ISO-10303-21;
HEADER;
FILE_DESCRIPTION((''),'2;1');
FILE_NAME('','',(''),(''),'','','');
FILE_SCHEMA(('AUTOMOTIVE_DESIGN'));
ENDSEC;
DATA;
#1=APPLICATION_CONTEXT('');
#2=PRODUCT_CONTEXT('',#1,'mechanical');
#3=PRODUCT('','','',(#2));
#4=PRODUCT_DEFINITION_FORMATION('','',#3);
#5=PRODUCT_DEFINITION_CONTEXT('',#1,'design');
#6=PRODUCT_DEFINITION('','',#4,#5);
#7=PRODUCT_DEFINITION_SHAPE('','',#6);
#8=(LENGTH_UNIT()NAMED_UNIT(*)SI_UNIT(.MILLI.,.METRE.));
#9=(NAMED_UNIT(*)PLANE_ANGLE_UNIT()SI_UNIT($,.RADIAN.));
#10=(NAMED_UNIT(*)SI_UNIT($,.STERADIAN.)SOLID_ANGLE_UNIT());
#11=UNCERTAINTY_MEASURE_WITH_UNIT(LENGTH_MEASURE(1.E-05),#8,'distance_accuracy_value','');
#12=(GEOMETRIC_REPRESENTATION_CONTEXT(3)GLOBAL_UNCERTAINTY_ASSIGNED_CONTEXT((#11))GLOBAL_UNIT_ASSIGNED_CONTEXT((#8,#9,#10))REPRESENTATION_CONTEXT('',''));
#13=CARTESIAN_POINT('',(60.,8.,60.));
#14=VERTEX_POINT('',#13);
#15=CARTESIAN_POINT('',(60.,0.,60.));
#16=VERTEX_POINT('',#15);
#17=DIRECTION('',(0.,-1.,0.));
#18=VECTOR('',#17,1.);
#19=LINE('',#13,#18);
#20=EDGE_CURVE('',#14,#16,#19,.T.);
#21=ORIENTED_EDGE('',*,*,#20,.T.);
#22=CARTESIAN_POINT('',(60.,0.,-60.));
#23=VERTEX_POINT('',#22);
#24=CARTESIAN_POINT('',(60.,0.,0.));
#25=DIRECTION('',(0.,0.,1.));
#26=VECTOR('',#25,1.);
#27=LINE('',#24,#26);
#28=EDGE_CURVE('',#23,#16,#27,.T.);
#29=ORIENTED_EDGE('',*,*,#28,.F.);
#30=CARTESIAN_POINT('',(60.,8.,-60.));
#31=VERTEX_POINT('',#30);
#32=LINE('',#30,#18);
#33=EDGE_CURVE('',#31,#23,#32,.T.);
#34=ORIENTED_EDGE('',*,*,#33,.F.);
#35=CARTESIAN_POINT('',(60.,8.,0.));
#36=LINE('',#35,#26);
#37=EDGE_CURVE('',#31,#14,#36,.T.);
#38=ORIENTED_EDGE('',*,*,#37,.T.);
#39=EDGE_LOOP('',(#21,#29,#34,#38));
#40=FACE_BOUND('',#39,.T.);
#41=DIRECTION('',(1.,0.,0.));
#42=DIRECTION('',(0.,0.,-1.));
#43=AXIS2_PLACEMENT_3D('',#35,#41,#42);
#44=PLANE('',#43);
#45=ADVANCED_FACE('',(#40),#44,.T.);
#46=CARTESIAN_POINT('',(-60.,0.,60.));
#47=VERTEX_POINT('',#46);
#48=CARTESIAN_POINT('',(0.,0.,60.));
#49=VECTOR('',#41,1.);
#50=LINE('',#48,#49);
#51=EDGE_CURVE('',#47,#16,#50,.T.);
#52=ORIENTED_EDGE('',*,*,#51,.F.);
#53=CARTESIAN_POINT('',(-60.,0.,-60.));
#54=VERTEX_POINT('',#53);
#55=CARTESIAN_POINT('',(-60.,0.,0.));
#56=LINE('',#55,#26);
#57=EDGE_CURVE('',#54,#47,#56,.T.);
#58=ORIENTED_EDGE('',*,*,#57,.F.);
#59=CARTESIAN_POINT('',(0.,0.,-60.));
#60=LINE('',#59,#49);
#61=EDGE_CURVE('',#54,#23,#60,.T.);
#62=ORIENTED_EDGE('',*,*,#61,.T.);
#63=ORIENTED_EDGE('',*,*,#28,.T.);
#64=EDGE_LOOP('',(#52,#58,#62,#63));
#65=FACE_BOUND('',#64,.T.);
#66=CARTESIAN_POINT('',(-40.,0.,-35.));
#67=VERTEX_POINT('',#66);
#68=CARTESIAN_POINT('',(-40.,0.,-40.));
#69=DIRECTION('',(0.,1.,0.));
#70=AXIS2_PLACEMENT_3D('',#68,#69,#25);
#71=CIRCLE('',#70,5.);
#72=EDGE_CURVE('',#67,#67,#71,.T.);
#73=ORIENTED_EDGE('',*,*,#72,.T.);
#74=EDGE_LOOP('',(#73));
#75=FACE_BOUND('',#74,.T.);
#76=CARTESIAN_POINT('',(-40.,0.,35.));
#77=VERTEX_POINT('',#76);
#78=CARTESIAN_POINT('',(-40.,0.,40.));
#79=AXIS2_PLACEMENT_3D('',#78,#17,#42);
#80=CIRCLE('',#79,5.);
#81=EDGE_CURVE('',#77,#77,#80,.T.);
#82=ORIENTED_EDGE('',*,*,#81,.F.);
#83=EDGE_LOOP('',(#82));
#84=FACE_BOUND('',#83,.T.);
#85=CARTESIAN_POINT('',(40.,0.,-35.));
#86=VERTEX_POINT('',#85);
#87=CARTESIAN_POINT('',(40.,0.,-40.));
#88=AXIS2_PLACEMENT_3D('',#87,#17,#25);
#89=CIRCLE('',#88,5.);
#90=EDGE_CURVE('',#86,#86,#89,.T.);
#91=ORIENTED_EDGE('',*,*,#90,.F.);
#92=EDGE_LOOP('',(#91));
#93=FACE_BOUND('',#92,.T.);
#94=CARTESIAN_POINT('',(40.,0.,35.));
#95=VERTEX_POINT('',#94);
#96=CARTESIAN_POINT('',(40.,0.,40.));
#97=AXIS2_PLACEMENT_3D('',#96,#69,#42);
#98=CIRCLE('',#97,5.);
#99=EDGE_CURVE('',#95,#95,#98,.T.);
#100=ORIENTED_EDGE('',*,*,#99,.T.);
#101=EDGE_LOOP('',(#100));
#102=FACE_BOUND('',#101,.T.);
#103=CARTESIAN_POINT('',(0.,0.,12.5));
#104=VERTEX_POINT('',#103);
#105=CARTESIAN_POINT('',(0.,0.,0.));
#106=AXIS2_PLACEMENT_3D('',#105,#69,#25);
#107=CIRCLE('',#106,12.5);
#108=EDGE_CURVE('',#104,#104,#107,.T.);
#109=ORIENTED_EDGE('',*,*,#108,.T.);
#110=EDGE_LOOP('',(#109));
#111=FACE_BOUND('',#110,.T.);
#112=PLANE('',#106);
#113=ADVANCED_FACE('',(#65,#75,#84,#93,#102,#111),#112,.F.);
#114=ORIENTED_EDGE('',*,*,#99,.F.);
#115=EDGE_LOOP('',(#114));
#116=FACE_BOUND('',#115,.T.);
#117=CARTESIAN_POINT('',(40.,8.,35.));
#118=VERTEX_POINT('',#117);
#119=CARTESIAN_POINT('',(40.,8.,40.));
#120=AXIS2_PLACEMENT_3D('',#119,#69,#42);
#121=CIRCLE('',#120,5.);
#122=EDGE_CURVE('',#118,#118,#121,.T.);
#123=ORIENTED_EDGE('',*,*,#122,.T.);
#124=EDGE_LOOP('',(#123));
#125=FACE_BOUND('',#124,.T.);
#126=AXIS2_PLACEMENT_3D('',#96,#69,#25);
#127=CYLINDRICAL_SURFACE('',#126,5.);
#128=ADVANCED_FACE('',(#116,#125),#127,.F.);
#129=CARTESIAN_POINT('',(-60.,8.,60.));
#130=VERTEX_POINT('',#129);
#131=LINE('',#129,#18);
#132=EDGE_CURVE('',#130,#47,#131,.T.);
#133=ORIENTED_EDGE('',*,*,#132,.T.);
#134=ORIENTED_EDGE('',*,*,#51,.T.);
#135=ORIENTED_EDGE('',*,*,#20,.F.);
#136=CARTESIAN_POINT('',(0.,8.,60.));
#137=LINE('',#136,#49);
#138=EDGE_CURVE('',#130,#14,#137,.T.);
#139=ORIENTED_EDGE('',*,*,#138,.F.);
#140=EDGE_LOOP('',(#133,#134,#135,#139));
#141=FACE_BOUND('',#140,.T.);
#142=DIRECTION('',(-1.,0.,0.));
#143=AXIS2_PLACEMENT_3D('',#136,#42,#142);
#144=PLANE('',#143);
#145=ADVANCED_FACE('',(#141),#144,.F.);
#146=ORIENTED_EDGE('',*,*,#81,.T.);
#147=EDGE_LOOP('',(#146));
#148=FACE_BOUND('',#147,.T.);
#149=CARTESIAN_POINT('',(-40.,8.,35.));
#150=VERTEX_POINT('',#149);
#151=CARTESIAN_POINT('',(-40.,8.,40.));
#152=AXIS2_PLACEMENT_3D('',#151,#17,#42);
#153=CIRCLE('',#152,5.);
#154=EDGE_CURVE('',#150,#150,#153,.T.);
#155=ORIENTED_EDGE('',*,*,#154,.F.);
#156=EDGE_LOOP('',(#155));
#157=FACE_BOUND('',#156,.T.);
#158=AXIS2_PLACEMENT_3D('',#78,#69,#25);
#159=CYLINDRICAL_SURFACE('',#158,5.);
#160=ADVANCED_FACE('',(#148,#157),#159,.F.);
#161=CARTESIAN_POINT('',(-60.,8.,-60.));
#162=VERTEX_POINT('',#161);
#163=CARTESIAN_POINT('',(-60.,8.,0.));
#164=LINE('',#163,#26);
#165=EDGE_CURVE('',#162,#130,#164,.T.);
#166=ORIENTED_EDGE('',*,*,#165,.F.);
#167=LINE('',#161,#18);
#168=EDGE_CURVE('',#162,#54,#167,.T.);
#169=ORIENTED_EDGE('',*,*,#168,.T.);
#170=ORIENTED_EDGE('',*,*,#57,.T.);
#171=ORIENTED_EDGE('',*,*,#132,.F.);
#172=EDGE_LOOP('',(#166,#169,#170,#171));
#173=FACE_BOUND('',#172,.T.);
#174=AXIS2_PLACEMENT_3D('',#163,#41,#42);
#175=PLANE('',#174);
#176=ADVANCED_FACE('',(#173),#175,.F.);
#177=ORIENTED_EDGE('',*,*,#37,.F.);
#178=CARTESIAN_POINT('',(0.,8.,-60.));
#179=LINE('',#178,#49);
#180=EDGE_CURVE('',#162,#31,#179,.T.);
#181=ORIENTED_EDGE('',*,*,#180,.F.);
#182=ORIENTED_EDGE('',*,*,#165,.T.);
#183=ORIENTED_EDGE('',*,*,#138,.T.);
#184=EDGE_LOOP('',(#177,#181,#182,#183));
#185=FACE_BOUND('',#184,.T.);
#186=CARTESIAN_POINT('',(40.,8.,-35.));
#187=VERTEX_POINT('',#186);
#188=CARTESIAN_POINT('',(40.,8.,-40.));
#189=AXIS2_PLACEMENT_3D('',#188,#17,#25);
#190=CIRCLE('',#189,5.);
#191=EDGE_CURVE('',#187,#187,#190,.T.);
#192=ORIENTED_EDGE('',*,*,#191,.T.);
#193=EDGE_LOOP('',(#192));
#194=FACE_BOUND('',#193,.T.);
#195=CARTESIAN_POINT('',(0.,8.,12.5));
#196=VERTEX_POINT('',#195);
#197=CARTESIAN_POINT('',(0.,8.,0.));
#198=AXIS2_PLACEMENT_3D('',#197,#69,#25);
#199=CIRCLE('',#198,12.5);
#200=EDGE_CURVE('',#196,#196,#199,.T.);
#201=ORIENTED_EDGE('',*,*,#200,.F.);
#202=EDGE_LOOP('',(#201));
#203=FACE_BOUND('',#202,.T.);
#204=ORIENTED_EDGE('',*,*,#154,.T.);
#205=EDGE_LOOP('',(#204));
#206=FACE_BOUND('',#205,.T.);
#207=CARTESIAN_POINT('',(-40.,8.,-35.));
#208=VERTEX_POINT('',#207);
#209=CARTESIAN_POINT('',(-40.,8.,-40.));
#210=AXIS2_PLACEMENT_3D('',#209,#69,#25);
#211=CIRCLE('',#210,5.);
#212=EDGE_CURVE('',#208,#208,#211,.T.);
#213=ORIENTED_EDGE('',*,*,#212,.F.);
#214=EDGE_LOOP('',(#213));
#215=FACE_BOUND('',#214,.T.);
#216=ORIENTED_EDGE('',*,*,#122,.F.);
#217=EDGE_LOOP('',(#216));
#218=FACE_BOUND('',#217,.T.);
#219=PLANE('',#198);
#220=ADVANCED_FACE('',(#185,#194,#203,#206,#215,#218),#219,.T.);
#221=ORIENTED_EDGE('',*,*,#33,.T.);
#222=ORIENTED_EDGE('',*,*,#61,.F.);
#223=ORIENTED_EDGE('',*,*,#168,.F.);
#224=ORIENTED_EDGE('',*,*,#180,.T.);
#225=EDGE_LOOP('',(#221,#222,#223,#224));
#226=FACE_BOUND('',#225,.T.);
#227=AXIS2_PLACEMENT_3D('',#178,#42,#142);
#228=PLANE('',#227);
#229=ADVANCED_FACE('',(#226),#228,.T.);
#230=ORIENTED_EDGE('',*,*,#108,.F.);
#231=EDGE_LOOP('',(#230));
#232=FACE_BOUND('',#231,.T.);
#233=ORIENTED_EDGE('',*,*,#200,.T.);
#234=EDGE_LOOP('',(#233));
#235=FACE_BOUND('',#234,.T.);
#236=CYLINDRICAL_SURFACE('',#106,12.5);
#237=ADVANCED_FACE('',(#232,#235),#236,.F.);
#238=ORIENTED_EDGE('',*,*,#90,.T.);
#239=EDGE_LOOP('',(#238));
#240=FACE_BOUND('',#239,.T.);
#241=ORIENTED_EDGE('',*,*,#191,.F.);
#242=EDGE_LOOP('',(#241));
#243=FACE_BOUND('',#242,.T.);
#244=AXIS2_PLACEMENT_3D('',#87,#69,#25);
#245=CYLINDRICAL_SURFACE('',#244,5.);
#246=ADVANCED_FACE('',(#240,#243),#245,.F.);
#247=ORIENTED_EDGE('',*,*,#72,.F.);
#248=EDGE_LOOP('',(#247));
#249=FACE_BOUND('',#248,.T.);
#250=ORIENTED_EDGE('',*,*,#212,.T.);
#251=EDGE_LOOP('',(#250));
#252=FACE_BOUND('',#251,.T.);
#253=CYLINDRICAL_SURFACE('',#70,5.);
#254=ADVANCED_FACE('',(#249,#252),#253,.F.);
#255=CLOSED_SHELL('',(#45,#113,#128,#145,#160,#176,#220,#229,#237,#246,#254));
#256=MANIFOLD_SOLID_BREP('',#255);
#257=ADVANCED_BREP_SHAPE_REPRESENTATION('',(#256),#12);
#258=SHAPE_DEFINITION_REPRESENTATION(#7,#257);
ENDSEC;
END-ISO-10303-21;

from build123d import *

# Parameters (mm, degrees)
BOSS_EXTRUDE2_DEPTH     = 8
SKETCH3_R               = 12.5
CUT_EXTRUDE1_DEPTH      = 9
SKETCH4_R               = 5
CUT_EXTRUDE2_DEPTH      = 9
MIRROR2_COPY_1_SKETCH_R = 5
MIRROR2_COPY_1_DEPTH    = 9


with BuildPart() as part:
    # Sketch1 → Boss-Extrude2 (new body)
    with BuildSketch(Plane(origin=(0, 0, 0), x_dir=(1, 0, 0), z_dir=(0, 1, 0))):
        Polygon((60, 60), (-60, 60), (0, 0), align=None)
        Polygon((0, 0), (-60, 60), (-60, -60), align=None)
        Polygon((60, -60), (0, 0), (-60, -60), align=None)
        Polygon((60, 60), (0, 0), (60, -60), align=None)
    extrude(amount=BOSS_EXTRUDE2_DEPTH)

    # Sketch3 → Cut-Extrude1 (cut, through all)
    with BuildSketch(Plane(origin=(0, 8, 0), x_dir=(1, 0, 0), z_dir=(0, 1, 0))):
        Circle(SKETCH3_R)
    extrude(amount=-CUT_EXTRUDE1_DEPTH, mode=Mode.SUBTRACT)

    # Sketch4 → Cut-Extrude2 (cut, through all)
    with BuildSketch(Plane(origin=(0, 8, 0), x_dir=(1, 0, 0), z_dir=(0, 1, 0))):
        with Locations((-40, 40)):
            Circle(SKETCH4_R)
    cut_extrude2 = extrude(amount=-CUT_EXTRUDE2_DEPTH, mode=Mode.SUBTRACT)

    # Mirror1: Cut-Extrude2 across plane
    add(cut_extrude2.mirror(Plane(origin=(0, 0, 0), x_dir=(0, 0, 1), z_dir=(1, 0, 0))), mode=Mode.SUBTRACT)

    # Mirror2: Cut-Extrude2 across plane
    add(cut_extrude2.mirror(Plane.XY), mode=Mode.SUBTRACT)

    # Mirror2 copy 1 sketch → Mirror2 copy 1 (cut, through all)
    with BuildSketch(Plane(origin=(0, 8, 0), x_dir=(-1, 0, 0), z_dir=(0, 1, 0))):
        with Locations((-40, 40)):
            Circle(MIRROR2_COPY_1_SKETCH_R)
    extrude(amount=-MIRROR2_COPY_1_DEPTH, mode=Mode.SUBTRACT)


solid = part.part
